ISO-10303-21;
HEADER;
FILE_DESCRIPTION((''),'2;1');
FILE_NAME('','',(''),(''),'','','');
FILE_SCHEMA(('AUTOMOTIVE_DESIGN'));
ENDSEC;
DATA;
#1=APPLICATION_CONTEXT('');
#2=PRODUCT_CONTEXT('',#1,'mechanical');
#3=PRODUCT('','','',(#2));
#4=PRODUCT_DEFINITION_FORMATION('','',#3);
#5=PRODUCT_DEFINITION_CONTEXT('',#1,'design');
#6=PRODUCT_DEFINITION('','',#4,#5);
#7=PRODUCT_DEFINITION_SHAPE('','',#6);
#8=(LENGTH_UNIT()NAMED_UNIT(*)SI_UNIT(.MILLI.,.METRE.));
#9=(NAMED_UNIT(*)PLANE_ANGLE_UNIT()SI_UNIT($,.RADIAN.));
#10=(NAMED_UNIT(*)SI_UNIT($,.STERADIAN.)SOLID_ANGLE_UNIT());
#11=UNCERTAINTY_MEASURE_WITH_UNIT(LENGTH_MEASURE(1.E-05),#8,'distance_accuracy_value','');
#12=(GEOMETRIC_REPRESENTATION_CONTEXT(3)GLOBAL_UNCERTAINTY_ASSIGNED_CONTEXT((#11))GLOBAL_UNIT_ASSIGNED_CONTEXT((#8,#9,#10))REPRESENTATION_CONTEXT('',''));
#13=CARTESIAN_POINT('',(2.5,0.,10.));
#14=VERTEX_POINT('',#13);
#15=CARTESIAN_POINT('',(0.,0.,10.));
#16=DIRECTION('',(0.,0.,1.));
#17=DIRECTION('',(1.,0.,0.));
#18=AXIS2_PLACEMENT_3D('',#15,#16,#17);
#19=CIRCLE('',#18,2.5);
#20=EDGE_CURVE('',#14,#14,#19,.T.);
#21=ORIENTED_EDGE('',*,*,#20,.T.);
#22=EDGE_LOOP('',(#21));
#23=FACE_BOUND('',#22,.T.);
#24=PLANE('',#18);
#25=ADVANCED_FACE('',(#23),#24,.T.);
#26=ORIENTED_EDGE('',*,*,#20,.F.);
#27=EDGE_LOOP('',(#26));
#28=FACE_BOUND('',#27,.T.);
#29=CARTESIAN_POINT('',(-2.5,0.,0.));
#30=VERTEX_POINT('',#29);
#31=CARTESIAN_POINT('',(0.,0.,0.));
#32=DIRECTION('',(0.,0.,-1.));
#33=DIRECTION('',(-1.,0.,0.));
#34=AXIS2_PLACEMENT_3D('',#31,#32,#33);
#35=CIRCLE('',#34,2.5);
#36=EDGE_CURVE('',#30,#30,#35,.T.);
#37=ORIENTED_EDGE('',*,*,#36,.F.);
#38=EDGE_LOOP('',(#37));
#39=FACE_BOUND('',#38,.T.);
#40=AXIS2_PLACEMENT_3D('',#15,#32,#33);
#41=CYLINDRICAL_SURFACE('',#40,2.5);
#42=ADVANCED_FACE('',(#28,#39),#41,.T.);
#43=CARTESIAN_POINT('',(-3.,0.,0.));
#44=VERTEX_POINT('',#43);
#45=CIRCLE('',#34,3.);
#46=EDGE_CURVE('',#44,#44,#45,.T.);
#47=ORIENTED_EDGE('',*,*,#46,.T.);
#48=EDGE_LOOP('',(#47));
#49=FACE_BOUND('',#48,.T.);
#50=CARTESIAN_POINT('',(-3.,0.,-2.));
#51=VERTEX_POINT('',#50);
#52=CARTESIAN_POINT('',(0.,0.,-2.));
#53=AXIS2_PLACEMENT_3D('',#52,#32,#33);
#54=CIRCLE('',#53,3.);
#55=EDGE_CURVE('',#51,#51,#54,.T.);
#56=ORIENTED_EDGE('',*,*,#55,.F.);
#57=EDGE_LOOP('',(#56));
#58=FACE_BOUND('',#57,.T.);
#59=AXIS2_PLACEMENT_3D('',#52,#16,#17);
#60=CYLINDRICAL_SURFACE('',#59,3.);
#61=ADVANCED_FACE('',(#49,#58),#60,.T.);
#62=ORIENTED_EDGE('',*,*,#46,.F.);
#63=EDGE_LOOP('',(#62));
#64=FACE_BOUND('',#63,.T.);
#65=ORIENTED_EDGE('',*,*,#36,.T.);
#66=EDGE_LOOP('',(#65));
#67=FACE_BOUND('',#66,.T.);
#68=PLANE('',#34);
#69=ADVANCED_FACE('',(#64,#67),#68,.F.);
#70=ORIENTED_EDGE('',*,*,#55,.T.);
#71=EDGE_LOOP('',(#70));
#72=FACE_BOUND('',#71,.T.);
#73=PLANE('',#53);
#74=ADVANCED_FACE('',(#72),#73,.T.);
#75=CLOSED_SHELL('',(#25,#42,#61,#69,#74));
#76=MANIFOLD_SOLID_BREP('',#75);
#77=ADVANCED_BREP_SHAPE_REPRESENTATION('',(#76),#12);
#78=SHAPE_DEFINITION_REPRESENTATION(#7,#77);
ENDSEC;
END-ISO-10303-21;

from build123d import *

# Parameters (mm, degrees)
IZIM1_R                     = 2.5
Y_KSEKLIK_EKSTR_ZYON1_DEPTH = 10
IZIM2_R                     = 3
Y_KSEKLIK_EKSTR_ZYON2_DEPTH = 2


with BuildPart() as part:
    # Çizim1 → Yükseklik-Ekstrüzyon1 (new body)
    with BuildSketch(Plane.XY):
        Circle(IZIM1_R)
    extrude(amount=Y_KSEKLIK_EKSTR_ZYON1_DEPTH)

    # Çizim2 → Yükseklik-Ekstrüzyon2 (add)
    with BuildSketch(Plane(origin=(0, 0, 0), x_dir=(-1, 0, 0), z_dir=(0, 0, -1))):
        Circle(IZIM2_R)
    extrude(amount=Y_KSEKLIK_EKSTR_ZYON2_DEPTH)


solid = part.part
